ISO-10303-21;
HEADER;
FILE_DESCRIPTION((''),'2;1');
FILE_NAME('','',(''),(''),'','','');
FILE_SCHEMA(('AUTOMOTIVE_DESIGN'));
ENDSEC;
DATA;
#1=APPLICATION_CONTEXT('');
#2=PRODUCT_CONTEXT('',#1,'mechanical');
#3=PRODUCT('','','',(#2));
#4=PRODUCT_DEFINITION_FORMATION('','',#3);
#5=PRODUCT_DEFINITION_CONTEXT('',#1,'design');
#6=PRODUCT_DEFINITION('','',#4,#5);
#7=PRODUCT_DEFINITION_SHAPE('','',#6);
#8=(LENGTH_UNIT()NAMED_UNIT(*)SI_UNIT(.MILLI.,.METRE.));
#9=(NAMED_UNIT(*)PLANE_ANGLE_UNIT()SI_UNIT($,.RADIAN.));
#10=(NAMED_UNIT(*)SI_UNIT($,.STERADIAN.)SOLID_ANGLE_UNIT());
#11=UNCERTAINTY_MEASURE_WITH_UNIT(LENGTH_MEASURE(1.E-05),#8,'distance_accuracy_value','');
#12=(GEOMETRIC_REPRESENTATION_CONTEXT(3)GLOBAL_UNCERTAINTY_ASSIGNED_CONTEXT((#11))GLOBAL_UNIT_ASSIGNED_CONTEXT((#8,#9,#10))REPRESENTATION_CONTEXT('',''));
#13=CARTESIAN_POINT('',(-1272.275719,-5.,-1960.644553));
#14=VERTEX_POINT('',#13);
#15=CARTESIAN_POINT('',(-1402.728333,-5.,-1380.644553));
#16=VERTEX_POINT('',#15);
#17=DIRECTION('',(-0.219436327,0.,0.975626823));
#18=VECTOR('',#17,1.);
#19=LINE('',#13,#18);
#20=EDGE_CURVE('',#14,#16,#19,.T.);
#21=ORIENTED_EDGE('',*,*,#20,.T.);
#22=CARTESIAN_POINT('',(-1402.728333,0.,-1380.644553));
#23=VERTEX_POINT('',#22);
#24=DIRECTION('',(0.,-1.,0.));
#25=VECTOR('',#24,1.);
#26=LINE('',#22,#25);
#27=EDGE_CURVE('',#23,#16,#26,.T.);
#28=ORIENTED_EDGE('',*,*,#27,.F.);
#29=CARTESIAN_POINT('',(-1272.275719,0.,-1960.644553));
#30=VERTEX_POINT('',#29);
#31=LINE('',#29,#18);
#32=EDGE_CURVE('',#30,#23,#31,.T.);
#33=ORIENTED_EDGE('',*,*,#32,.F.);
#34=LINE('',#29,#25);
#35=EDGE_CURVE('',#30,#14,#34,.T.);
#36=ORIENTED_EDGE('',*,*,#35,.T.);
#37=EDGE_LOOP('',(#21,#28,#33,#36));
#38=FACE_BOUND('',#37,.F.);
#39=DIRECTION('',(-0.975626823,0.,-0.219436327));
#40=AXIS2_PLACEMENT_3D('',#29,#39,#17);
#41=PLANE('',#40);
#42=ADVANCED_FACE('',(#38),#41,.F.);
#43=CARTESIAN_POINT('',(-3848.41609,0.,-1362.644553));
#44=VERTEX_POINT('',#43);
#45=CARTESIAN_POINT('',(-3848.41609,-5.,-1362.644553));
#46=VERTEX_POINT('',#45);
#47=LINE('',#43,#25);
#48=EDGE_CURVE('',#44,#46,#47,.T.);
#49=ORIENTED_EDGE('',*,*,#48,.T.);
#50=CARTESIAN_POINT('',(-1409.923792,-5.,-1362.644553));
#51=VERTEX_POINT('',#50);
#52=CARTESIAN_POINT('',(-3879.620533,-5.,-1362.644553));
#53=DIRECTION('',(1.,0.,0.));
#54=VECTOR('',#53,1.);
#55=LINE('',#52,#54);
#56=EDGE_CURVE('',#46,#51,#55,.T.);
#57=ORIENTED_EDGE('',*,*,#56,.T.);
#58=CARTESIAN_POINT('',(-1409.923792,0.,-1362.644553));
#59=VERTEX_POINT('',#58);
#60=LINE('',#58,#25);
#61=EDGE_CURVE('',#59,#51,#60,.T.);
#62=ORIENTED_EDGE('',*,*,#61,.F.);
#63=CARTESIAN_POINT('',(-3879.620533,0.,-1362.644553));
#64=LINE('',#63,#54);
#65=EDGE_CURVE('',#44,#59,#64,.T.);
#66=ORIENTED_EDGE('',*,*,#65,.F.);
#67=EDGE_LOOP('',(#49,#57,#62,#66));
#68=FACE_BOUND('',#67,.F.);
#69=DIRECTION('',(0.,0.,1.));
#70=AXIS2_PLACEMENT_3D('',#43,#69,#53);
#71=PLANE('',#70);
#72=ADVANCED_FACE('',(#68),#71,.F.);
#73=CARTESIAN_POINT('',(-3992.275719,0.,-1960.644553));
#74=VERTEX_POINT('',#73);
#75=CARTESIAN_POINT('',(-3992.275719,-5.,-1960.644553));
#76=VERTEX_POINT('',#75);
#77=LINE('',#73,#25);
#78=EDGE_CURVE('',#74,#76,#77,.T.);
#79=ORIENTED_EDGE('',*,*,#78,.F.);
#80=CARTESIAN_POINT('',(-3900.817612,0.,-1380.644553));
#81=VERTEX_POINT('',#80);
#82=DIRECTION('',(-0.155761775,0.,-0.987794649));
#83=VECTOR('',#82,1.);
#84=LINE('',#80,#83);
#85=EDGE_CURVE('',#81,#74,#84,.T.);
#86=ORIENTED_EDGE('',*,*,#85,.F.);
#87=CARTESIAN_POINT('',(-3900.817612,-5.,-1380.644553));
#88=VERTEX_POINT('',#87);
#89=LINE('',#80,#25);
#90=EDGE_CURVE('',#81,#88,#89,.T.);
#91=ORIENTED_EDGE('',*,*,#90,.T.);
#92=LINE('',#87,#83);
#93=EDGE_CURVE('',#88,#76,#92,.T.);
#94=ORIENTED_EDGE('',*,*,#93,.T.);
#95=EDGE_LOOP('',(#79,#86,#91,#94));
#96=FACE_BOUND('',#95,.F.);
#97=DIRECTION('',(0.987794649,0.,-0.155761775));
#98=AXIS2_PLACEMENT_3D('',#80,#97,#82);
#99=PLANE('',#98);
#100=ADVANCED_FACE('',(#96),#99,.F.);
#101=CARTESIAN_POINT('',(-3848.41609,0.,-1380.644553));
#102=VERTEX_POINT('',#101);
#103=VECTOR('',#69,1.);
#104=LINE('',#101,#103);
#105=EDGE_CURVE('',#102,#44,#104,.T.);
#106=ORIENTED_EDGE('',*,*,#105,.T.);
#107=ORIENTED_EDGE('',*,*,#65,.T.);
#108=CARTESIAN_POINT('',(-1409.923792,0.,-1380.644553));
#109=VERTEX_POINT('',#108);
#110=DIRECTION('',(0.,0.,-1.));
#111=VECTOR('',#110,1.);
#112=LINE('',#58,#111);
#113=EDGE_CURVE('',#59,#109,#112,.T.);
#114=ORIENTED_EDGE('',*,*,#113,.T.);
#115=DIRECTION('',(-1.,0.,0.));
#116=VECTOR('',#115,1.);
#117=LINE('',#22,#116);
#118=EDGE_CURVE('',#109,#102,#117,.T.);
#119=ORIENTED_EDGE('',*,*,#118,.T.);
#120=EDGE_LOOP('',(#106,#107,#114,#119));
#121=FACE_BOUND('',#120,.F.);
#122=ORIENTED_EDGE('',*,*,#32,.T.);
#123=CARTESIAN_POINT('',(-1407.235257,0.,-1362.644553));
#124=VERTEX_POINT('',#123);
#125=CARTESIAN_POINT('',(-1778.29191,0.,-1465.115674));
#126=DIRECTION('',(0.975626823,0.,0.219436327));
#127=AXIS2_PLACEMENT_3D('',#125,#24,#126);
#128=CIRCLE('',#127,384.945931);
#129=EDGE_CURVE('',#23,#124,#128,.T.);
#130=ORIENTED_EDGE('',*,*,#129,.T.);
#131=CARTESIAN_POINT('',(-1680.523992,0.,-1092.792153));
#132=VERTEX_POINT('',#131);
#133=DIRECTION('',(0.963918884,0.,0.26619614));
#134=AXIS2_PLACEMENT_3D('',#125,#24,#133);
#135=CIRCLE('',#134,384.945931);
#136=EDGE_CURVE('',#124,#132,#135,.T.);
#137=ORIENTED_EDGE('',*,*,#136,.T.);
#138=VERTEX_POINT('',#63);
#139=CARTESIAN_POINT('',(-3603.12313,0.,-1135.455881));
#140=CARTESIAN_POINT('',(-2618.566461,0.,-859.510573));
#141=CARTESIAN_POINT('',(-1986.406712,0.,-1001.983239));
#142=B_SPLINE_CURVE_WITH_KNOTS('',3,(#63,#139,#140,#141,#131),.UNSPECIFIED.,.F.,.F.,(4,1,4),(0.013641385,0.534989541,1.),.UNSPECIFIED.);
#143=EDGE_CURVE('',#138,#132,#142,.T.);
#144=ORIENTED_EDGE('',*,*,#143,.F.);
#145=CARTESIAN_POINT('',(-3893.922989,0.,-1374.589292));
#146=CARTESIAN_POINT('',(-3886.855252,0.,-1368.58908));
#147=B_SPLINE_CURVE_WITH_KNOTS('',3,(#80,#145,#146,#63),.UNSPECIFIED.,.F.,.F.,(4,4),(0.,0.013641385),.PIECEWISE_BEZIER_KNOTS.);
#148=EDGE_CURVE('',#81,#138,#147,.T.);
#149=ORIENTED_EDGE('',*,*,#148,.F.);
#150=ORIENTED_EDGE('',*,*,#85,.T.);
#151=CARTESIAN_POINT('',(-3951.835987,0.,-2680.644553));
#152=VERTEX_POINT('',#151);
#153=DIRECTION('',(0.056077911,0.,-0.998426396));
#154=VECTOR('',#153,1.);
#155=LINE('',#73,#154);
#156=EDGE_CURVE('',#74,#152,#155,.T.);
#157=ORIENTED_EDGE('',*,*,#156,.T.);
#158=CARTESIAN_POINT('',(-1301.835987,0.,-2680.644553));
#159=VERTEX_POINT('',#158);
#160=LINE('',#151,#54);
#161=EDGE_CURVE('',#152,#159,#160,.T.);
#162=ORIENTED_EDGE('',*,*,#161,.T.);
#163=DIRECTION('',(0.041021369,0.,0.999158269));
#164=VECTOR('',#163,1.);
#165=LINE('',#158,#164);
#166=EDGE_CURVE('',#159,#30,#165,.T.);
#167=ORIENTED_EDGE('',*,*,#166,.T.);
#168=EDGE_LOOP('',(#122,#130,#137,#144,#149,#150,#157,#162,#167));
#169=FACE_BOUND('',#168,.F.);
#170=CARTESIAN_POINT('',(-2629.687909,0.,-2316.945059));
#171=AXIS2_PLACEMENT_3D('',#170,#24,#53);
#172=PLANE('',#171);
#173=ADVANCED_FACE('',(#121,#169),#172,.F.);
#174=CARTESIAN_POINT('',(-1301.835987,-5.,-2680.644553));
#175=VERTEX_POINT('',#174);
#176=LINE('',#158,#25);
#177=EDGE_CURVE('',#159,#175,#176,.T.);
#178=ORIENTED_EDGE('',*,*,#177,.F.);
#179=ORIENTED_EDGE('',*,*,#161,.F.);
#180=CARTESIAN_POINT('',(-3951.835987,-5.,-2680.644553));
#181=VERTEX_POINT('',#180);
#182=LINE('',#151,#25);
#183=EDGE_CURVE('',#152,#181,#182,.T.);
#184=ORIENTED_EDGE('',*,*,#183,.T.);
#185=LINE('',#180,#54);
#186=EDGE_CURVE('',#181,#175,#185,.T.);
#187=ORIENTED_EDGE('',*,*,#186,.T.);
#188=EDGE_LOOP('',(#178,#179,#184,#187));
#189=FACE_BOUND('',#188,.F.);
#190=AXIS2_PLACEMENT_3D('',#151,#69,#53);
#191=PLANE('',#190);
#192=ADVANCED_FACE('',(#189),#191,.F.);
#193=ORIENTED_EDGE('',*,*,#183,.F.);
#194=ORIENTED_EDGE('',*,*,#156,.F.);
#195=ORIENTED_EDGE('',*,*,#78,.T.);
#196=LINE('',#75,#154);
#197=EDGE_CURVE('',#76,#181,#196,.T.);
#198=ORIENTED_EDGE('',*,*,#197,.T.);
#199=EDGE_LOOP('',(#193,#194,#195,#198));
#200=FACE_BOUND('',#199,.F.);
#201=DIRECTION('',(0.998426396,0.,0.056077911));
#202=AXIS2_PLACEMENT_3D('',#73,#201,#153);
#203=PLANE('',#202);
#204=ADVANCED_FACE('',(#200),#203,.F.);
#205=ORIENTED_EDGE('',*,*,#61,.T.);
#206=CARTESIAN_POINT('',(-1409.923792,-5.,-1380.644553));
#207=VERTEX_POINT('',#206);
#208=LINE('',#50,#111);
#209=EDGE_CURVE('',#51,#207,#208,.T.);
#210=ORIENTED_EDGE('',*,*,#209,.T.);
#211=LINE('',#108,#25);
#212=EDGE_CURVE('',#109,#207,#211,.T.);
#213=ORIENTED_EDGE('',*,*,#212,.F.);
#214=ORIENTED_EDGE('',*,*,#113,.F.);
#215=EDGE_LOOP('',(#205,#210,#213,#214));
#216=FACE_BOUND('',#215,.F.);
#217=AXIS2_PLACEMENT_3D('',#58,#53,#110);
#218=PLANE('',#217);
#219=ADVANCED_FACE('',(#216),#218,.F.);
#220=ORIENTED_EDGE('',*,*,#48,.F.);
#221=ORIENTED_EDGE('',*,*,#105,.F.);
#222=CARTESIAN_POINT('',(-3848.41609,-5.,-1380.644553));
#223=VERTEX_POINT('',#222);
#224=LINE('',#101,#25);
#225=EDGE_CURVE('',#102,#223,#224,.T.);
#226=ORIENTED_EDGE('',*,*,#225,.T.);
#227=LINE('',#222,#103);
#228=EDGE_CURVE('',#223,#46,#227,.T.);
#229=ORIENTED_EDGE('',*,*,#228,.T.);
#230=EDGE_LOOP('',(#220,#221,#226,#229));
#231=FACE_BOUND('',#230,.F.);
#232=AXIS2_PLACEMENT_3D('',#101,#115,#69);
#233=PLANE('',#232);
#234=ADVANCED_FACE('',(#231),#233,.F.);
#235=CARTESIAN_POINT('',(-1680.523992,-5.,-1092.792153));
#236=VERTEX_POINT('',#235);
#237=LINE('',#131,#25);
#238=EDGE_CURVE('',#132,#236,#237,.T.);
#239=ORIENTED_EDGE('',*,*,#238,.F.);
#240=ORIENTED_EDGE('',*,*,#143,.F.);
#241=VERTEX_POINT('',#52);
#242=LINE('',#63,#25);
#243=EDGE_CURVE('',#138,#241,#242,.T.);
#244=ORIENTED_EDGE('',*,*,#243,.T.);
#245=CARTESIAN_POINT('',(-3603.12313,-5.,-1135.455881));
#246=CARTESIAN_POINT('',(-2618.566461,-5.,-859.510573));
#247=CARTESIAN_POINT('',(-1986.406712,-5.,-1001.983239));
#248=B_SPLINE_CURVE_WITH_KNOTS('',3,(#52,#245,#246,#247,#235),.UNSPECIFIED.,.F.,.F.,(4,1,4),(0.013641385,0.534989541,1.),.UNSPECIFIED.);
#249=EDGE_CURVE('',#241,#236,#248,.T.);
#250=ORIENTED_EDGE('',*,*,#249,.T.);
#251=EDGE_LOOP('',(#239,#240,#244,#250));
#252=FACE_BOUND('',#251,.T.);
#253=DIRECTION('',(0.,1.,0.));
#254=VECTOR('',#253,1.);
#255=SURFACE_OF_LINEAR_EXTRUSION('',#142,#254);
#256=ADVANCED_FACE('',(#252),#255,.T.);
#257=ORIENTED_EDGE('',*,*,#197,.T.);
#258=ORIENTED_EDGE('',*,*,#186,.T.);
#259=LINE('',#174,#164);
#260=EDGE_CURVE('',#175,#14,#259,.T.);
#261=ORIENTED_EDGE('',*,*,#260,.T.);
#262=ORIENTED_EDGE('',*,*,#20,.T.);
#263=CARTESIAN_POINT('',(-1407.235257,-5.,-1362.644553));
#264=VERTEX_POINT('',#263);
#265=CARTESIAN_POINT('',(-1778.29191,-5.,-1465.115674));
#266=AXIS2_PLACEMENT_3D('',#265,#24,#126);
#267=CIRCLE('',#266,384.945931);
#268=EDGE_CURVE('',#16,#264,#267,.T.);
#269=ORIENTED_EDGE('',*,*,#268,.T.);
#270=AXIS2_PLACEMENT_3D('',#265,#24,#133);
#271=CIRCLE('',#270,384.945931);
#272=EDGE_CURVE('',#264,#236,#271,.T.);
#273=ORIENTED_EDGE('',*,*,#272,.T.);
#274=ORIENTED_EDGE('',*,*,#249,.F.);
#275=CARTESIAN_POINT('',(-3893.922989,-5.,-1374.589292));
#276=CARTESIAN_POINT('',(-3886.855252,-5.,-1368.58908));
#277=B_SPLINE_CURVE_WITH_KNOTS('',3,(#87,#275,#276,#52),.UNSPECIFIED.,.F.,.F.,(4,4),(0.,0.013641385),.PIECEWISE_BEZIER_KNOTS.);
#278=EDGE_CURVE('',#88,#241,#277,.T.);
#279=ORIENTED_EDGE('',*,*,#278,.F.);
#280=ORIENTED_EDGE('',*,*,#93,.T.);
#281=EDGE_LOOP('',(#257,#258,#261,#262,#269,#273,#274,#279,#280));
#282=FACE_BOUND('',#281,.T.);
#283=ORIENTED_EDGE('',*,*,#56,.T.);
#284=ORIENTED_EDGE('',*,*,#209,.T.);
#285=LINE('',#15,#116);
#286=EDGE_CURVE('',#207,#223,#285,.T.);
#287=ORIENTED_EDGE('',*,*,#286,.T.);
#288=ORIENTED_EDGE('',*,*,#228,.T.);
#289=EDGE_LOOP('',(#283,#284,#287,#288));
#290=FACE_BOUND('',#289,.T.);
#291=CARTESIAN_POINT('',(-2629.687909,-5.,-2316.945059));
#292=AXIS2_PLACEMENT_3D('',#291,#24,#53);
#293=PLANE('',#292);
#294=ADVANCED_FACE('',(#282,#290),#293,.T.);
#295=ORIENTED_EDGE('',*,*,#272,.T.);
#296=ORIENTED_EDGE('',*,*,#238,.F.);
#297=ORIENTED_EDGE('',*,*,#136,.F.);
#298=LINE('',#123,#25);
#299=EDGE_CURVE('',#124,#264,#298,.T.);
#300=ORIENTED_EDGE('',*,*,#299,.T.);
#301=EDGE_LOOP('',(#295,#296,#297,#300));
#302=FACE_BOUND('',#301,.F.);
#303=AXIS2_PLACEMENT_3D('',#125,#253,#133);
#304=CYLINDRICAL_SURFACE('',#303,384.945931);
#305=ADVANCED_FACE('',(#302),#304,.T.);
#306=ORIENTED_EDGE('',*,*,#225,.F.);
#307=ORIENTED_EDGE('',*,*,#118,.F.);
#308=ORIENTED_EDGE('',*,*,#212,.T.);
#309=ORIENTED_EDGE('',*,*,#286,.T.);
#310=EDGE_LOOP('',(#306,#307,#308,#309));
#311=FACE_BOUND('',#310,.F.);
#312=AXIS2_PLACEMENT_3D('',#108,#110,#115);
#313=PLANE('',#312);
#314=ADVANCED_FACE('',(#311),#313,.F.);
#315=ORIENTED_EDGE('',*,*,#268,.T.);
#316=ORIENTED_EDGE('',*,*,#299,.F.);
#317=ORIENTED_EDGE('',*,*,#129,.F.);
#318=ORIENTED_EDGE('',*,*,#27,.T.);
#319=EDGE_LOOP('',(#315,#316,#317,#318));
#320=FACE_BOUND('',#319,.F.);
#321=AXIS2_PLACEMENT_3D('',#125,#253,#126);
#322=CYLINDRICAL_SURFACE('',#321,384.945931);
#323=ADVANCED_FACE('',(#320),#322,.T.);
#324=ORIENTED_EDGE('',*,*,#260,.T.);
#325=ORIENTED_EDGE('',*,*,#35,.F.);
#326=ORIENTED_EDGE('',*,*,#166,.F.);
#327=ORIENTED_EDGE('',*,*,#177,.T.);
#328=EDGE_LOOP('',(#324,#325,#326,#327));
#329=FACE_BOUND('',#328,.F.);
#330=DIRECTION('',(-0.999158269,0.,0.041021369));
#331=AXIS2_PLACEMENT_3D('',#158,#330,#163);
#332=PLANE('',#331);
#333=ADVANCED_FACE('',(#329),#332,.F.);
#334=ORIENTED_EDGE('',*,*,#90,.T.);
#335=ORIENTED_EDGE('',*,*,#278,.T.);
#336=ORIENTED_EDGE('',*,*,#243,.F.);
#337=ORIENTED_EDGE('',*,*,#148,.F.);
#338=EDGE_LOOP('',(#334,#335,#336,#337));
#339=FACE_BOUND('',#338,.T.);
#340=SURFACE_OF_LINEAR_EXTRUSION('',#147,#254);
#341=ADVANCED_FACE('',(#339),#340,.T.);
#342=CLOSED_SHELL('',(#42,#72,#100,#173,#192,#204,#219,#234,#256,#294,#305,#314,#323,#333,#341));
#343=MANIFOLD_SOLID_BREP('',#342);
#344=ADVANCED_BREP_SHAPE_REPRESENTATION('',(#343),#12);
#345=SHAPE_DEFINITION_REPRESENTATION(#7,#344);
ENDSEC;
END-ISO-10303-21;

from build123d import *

# Parameters (mm, degrees)
F1_DEPTH = 5


with BuildPart() as f1:
    # F0 (on Front) → F1 (new body)
    with BuildSketch(Plane.XZ):
        Polygon((-1751.8359871062, -2680.6445531845), (-1301.8359871062, -2680.6445531845), (-1272.2757193561, -1960.6445531845), (-3992.2757193561, -1960.6445531845), (-3951.8359871062, -2680.6445531845), (-2351.8359871062, -2680.6445531845), align=None)
        Polygon((-3992.2757193561, -1960.6445531845), (-1272.2757193561, -1960.6445531845), (-1402.7283334229, -1380.6445531845), (-1409.9237918854, -1380.6445531845), (-3848.4160900116, -1380.6445531845), (-3900.8176115902, -1380.6445531845), align=None)
        with BuildLine():
            Line((-1409.9237918854, -1380.6445531845), (-1402.7283334229, -1380.6445531845))
            ThreePointArc((-1402.7283334229, -1380.6445531845), (-1404.8733221137, -1371.617393178), (-1407.2352570657, -1362.6445531845))
            Line((-1407.2352570657, -1362.6445531845), (-1409.9237918854, -1362.6445531845))
            Line((-1409.9237918854, -1362.6445531845), (-1409.9237918854, -1380.6445531845))
        make_face()
        with BuildLine():
            add(Edge.make_bspline(
                [(-3900.8176115902, -1380.6445531845), (-3893.9229894345, -1374.5892924852), (-3886.8552522948, -1368.589080147), (-3879.620532999, -1362.6445531845)],
                knots=[0, 0, 0, 0, 0.0136413851, 0.0136413851, 0.0136413851, 0.0136413851], degree=3))
            Line((-3900.8176115902, -1380.6445531845), (-3848.4160900116, -1380.6445531845))
            Line((-3848.4160900116, -1380.6445531845), (-3848.4160900116, -1362.6445531845))
            Line((-3848.4160900116, -1362.6445531845), (-3879.620532999, -1362.6445531845))
        make_face()
        with BuildLine():
            Line((-1409.9237918854, -1362.6445531845), (-1407.2352570657, -1362.6445531845))
            ThreePointArc((-1407.2352570657, -1362.6445531845), (-1507.8215805234, -1191.2011417655), (-1680.5239915848, -1092.7921533585))
            add(Edge.make_bspline(
                [(-3879.620532999, -1362.6445531845), (-3603.12312988, -1135.4558813494), (-2618.5664613174, -859.5105731667), (-1986.4067119692, -1001.9832394606), (-1680.5239915848, -1092.7921533585)],
                knots=[0.0136413851, 0.0136413851, 0.0136413851, 0.0136413851, 0.5349895413, 1, 1, 1, 1], degree=3))
            Line((-3879.620532999, -1362.6445531845), (-3848.4160900116, -1362.6445531845))
            Line((-3848.4160900116, -1362.6445531845), (-1409.9237918854, -1362.6445531845))
        make_face()
    extrude(amount=F1_DEPTH)


solid = f1.part
